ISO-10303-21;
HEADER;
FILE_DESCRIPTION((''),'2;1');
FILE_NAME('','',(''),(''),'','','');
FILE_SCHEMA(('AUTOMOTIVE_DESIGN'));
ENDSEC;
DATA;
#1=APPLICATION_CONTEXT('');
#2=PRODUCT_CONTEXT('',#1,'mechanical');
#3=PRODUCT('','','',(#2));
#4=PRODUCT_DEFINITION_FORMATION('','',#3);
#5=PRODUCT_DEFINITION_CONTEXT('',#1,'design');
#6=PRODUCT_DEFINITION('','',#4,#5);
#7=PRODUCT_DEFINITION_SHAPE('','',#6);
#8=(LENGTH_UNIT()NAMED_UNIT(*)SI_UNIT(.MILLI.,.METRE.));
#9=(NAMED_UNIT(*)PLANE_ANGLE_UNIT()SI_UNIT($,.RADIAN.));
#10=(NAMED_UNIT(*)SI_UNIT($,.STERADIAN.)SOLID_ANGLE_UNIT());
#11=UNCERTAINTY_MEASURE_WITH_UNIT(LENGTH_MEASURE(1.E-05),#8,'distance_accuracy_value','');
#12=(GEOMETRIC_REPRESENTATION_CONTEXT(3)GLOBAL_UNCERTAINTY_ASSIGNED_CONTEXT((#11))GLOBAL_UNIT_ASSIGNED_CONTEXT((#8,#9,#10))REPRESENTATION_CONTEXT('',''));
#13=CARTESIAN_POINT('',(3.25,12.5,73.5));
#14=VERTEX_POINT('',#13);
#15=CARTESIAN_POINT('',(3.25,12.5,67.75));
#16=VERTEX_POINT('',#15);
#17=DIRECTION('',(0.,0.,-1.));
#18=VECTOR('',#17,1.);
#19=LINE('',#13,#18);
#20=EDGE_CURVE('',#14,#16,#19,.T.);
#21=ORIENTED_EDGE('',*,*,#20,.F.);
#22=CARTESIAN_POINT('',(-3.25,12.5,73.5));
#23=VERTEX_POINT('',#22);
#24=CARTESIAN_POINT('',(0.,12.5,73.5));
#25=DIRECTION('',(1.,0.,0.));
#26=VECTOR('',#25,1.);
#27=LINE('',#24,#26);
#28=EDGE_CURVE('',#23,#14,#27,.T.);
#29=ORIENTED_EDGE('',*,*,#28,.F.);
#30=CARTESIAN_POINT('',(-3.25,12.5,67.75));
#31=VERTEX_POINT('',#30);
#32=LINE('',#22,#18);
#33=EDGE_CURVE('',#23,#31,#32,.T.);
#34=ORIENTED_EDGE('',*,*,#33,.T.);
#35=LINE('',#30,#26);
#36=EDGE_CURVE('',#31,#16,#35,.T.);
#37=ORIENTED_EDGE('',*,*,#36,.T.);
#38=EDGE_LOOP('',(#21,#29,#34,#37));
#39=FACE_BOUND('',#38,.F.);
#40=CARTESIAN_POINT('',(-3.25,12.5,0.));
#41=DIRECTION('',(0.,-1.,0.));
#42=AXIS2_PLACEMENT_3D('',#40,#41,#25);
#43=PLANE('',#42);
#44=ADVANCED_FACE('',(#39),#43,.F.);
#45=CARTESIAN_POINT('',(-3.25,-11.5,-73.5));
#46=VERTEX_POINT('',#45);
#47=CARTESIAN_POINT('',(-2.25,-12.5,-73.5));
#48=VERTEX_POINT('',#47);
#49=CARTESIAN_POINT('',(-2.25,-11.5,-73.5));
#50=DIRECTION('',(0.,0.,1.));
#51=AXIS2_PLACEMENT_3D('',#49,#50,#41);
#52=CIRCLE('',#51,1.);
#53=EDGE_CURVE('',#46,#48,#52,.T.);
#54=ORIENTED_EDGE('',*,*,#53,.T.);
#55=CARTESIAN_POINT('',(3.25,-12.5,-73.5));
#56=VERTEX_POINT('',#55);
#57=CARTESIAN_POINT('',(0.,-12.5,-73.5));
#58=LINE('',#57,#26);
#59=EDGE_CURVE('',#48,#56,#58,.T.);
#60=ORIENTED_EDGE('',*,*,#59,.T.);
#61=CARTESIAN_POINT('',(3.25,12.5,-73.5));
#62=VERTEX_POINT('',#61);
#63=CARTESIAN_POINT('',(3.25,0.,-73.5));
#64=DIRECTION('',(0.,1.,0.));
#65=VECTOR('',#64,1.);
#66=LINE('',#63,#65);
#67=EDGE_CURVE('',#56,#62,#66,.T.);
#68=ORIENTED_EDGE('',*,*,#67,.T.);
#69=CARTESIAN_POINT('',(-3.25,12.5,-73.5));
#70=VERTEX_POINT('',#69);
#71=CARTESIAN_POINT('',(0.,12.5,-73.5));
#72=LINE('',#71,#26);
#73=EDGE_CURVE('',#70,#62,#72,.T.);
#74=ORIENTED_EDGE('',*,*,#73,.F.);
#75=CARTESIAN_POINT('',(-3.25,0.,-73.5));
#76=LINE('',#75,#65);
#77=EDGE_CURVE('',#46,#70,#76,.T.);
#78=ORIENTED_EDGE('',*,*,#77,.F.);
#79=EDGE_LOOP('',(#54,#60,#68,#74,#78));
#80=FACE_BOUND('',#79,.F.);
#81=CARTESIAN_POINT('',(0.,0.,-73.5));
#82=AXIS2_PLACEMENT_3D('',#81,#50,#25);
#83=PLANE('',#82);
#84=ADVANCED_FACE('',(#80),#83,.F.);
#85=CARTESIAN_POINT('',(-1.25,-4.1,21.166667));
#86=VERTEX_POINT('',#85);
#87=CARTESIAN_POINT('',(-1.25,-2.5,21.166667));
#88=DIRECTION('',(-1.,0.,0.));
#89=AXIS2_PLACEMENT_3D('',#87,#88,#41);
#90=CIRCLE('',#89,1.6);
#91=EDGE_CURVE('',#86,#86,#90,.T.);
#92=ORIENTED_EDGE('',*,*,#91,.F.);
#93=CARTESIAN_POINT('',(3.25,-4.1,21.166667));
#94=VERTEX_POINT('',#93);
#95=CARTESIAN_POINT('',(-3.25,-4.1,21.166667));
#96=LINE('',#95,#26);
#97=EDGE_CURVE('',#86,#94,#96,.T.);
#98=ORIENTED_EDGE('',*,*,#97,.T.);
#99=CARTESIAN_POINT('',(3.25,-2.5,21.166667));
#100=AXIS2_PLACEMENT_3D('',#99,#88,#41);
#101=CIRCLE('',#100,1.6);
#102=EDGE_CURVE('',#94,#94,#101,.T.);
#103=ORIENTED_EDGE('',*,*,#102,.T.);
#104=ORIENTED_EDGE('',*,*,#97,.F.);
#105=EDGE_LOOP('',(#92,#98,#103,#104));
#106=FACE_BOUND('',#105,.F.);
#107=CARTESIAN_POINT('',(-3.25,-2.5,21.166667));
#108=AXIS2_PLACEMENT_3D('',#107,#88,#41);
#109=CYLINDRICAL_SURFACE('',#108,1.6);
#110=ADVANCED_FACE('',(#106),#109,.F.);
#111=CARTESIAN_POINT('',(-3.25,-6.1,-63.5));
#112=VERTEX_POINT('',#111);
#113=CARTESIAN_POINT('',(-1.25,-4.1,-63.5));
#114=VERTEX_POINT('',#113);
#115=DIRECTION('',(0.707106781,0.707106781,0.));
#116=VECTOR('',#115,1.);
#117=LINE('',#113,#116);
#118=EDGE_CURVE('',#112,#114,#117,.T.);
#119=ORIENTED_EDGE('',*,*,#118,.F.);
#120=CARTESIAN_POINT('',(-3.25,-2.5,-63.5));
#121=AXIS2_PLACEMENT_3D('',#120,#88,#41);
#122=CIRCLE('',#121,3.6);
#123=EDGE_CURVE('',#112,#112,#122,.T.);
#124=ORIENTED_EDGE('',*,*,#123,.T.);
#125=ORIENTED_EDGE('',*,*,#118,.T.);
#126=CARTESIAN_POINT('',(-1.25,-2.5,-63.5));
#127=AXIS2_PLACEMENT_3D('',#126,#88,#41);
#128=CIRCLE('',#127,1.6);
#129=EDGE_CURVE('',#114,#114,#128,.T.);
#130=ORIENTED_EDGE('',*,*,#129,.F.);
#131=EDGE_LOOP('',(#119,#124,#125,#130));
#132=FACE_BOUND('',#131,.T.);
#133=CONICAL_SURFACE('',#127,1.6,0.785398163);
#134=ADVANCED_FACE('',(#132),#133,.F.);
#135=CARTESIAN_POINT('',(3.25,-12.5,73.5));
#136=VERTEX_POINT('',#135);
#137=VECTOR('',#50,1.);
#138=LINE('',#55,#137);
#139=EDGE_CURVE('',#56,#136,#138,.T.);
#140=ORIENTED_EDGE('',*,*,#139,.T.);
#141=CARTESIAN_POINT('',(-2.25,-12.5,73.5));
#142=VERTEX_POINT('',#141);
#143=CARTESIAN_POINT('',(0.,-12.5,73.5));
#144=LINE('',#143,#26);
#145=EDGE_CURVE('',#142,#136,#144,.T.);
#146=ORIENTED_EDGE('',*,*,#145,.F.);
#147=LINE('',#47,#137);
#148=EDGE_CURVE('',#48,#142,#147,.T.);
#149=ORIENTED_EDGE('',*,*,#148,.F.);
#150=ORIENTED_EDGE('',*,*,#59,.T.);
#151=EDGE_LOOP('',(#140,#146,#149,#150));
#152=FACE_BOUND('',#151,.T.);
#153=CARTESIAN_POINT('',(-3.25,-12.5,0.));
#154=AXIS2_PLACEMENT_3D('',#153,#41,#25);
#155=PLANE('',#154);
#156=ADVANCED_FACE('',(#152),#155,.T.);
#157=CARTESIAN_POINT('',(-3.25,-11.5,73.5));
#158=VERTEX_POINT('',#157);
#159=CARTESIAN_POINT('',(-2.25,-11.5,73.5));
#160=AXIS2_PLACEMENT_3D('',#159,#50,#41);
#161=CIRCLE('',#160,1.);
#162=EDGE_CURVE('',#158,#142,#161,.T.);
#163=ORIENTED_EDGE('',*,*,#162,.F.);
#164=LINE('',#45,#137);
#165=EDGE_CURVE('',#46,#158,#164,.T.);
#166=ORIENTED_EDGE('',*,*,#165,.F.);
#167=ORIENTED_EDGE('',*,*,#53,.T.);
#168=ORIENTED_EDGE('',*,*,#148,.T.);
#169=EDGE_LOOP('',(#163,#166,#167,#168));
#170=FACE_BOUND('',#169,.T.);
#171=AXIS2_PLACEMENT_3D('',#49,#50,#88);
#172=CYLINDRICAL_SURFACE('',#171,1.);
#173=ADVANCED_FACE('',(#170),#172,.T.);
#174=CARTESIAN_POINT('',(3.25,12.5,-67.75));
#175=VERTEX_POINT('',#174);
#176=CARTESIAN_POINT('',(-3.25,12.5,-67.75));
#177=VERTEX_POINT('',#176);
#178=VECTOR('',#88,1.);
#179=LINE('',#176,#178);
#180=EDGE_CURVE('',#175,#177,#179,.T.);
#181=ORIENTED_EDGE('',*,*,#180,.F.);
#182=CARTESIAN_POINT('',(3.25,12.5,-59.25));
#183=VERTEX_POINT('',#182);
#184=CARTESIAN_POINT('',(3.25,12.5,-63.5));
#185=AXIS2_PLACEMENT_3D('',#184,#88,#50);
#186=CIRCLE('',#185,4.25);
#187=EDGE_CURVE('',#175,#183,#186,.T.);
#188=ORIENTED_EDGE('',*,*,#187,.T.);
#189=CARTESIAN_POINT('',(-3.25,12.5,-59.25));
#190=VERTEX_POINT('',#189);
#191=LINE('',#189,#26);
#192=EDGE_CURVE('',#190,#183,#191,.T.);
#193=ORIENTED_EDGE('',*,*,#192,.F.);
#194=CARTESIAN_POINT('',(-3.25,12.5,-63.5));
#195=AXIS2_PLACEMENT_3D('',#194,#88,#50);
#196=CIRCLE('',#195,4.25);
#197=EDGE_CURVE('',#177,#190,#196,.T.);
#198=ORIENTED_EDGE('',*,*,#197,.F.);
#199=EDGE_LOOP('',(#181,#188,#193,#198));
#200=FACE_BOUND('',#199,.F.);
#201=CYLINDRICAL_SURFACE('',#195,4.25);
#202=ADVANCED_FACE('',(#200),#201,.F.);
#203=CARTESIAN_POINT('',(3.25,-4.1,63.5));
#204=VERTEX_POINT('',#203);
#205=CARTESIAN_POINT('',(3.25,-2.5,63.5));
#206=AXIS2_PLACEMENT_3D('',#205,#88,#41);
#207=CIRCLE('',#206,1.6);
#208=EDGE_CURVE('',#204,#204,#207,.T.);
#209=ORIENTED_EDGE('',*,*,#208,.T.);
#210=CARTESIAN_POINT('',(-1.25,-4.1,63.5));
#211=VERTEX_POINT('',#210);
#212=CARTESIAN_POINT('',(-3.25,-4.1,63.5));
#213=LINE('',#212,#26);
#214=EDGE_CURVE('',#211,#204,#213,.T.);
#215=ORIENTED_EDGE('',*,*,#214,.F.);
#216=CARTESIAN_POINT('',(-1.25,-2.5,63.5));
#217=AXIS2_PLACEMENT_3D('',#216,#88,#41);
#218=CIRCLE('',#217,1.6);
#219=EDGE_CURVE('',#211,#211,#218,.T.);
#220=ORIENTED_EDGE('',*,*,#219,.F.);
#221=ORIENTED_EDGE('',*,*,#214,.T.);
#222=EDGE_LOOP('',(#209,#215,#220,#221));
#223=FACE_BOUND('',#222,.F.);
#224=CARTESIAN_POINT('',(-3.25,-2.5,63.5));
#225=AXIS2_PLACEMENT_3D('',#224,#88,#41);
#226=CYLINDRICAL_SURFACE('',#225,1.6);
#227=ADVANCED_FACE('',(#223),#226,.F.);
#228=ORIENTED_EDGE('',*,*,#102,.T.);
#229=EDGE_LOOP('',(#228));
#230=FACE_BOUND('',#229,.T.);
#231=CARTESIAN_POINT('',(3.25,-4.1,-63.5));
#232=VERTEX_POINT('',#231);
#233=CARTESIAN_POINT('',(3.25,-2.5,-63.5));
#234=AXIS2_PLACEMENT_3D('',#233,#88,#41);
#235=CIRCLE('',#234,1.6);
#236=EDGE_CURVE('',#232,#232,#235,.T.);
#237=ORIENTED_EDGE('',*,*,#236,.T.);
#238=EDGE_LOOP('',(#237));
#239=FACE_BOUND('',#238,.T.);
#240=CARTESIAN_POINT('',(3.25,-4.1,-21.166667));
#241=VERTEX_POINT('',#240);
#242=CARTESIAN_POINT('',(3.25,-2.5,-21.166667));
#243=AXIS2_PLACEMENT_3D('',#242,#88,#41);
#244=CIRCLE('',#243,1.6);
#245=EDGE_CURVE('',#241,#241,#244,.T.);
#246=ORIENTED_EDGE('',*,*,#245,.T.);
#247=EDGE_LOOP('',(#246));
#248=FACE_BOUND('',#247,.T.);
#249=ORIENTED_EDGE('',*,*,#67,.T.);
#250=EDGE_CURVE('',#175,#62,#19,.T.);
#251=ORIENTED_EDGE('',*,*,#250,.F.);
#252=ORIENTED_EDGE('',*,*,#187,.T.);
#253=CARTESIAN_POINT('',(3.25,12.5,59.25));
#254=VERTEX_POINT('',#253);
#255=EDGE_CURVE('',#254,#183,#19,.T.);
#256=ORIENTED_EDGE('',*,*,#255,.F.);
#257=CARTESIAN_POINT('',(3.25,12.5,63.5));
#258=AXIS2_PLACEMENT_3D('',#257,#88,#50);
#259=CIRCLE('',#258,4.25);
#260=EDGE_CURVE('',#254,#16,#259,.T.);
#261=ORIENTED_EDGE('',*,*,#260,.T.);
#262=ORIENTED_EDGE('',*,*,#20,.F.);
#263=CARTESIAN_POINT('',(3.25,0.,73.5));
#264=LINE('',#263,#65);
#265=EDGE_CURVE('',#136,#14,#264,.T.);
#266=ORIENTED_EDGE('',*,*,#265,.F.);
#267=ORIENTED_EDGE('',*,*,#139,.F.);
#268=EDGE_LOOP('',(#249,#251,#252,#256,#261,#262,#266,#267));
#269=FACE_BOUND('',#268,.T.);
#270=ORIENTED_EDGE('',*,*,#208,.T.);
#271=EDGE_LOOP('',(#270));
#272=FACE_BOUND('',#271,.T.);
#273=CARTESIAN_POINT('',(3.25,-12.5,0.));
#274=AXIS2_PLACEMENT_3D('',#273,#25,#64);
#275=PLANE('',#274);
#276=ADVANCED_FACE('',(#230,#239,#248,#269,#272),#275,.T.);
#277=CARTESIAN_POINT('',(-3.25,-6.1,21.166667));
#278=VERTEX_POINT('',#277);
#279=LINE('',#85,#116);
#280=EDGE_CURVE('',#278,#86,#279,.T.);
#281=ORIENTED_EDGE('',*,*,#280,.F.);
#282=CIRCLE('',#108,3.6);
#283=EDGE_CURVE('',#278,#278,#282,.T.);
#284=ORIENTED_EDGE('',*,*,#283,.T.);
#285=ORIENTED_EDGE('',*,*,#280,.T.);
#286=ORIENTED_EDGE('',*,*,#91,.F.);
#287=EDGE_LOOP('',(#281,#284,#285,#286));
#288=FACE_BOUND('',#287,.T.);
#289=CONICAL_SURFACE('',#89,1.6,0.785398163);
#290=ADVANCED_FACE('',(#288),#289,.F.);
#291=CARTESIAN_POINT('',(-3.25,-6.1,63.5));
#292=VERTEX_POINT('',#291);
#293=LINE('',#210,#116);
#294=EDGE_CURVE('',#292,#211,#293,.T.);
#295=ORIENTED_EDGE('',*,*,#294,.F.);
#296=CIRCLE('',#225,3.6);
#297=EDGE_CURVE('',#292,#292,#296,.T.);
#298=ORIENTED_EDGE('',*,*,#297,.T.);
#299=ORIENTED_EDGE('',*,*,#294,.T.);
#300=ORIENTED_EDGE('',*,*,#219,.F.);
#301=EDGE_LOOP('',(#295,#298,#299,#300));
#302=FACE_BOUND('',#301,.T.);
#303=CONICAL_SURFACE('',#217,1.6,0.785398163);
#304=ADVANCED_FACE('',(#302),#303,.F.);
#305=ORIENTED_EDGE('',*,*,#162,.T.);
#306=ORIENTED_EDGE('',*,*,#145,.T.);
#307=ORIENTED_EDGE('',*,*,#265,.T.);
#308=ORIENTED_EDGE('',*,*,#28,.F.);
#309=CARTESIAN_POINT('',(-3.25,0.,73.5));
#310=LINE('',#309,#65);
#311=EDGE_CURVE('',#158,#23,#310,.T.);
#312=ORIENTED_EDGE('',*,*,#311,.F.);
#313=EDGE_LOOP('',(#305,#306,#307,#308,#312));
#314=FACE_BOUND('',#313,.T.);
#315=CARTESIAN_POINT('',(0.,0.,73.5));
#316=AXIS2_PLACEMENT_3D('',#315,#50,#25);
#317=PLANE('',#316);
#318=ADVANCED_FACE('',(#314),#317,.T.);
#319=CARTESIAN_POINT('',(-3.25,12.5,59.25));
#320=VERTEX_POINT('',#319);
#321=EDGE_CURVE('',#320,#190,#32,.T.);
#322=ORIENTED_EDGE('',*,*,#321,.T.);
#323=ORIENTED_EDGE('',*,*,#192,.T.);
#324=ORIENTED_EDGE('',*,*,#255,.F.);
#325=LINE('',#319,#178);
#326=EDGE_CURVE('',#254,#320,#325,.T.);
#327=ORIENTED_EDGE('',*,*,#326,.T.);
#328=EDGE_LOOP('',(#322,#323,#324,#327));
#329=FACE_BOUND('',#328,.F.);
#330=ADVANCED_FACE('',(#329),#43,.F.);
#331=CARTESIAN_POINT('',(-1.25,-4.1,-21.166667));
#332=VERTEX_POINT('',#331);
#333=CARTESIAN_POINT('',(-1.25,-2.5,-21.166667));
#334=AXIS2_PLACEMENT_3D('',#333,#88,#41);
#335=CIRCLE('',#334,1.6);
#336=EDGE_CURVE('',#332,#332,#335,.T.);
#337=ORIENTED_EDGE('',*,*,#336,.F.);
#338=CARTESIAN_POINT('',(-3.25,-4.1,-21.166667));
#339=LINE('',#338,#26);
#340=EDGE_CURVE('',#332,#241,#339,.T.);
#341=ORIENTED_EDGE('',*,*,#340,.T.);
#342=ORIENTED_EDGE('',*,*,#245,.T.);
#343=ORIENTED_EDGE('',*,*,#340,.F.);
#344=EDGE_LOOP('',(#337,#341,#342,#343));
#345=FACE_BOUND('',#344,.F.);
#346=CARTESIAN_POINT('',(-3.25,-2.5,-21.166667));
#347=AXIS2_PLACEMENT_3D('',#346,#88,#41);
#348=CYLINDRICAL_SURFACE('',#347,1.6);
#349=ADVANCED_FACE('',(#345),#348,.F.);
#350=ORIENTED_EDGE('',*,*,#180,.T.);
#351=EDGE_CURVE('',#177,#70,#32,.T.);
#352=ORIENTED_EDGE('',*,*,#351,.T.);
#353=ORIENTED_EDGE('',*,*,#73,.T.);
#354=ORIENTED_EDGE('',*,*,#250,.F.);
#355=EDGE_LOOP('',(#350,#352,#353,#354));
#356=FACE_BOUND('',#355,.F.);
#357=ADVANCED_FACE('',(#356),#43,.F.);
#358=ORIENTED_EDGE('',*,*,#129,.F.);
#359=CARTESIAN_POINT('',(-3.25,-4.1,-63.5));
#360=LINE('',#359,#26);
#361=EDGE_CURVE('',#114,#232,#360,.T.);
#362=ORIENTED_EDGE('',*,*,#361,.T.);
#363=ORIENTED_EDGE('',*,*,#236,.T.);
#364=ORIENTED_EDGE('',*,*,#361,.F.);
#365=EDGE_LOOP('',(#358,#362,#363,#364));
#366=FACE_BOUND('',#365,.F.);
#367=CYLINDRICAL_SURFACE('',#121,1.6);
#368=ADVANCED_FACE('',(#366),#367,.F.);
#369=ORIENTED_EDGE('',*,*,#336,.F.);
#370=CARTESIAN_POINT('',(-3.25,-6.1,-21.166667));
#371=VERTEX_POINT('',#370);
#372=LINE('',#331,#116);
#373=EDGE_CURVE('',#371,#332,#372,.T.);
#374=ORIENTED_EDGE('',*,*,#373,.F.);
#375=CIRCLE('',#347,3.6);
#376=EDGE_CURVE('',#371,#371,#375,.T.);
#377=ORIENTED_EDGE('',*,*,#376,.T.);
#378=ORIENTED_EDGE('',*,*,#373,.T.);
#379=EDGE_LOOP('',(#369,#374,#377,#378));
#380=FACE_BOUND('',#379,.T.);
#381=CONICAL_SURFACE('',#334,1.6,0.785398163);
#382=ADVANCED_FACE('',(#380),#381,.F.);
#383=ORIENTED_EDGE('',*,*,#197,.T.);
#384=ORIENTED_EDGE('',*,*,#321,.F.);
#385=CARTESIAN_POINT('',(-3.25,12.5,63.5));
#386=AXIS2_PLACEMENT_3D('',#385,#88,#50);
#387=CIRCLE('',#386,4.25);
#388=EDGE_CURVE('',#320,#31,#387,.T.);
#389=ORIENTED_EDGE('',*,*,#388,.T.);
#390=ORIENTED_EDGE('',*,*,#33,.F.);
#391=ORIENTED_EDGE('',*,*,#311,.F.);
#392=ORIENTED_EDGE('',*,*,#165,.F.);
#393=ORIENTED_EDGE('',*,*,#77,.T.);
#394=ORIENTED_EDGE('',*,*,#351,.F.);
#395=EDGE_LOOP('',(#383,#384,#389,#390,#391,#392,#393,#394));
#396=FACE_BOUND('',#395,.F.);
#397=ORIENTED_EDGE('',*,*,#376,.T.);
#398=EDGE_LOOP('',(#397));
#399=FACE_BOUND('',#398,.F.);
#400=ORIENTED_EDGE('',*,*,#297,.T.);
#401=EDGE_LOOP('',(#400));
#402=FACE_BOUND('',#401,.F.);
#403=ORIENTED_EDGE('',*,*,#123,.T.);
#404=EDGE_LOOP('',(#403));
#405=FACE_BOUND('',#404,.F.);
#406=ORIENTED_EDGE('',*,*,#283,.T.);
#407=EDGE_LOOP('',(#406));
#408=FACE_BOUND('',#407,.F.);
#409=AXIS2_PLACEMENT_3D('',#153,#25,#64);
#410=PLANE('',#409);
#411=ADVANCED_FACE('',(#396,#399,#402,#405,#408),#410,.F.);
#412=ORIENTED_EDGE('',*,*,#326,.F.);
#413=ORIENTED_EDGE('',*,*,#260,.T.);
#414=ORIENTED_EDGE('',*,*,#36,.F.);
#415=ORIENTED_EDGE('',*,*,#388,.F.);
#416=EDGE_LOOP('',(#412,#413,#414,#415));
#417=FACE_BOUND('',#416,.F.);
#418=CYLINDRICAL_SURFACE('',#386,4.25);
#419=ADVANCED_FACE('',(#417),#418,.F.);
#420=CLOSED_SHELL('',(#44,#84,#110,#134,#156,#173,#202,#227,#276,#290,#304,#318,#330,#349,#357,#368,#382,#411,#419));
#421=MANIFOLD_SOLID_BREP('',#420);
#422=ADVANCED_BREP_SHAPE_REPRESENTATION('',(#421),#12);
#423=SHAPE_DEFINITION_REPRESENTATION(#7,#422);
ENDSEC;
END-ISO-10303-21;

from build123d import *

# Parameters (mm, degrees)
SKETCH_2_W          = 6.5
SKETCH_2_H          = 25
EXTRUDE_1_DEPTH     = 73.5
FILLET_1_R          = 1
SKETCH_3_R          = 1.6
CUT_EXTRUDE_1_DEPTH = 75.838158716
CHAMFER_2_SIZE      = 2
SKETCH_4_R          = 4.25
CUT_EXTRUDE_2_DEPTH = 75.838158716


with BuildPart() as part:
    # 草图2 → 凸台-拉伸1 (new, symmetric)
    with BuildSketch(Plane.XY):
        Rectangle(SKETCH_2_W, SKETCH_2_H)
    extrude(amount=EXTRUDE_1_DEPTH, both=True)

    # 圆角1
    fillet_1_edges = [part.edges().sort_by_distance(p)[0] for p in [
        (-3.25, -12.5, 0),
    ]]
    fillet(fillet_1_edges, radius=FILLET_1_R)

    # 草图3 → 切除-拉伸1 (cut, through all)
    with BuildSketch(Plane.ZY.offset(3.25)):
        with Locations(Location((63.5, -2.5, 0), (0, 0, 270))):
            Circle(SKETCH_3_R)
        with Locations(Location((21.166666667, -2.5, 0), (0, 0, 270))):
            Circle(SKETCH_3_R)
        with Locations(Location((-21.166666667, -2.5, 0), (0, 0, 270))):
            Circle(SKETCH_3_R)
        with Locations(Location((-63.5, -2.5, 0), (0, 0, 270))):
            Circle(SKETCH_3_R)
    extrude(amount=-CUT_EXTRUDE_1_DEPTH, mode=Mode.SUBTRACT)

    # 倒角2
    chamfer_2_edges = [part.edges().sort_by_distance(p)[0] for p in [
        (-3.25, -0.9, 63.5),
        (-3.25, -0.9, 21.166666667),
        (-3.25, -0.9, -21.166666667),
        (-3.25, -0.9, -63.5),
    ]]
    chamfer(chamfer_2_edges, length=CHAMFER_2_SIZE)

    # 草图4 → 切除-拉伸2 (cut, through all)
    with BuildSketch(Plane.ZY.offset(3.25)):
        with Locations((-63.5, 12.5)):
            Circle(SKETCH_4_R)
        with Locations((63.5, 12.5)):
            Circle(SKETCH_4_R)
    extrude(amount=-CUT_EXTRUDE_2_DEPTH, mode=Mode.SUBTRACT)


solid = part.part
